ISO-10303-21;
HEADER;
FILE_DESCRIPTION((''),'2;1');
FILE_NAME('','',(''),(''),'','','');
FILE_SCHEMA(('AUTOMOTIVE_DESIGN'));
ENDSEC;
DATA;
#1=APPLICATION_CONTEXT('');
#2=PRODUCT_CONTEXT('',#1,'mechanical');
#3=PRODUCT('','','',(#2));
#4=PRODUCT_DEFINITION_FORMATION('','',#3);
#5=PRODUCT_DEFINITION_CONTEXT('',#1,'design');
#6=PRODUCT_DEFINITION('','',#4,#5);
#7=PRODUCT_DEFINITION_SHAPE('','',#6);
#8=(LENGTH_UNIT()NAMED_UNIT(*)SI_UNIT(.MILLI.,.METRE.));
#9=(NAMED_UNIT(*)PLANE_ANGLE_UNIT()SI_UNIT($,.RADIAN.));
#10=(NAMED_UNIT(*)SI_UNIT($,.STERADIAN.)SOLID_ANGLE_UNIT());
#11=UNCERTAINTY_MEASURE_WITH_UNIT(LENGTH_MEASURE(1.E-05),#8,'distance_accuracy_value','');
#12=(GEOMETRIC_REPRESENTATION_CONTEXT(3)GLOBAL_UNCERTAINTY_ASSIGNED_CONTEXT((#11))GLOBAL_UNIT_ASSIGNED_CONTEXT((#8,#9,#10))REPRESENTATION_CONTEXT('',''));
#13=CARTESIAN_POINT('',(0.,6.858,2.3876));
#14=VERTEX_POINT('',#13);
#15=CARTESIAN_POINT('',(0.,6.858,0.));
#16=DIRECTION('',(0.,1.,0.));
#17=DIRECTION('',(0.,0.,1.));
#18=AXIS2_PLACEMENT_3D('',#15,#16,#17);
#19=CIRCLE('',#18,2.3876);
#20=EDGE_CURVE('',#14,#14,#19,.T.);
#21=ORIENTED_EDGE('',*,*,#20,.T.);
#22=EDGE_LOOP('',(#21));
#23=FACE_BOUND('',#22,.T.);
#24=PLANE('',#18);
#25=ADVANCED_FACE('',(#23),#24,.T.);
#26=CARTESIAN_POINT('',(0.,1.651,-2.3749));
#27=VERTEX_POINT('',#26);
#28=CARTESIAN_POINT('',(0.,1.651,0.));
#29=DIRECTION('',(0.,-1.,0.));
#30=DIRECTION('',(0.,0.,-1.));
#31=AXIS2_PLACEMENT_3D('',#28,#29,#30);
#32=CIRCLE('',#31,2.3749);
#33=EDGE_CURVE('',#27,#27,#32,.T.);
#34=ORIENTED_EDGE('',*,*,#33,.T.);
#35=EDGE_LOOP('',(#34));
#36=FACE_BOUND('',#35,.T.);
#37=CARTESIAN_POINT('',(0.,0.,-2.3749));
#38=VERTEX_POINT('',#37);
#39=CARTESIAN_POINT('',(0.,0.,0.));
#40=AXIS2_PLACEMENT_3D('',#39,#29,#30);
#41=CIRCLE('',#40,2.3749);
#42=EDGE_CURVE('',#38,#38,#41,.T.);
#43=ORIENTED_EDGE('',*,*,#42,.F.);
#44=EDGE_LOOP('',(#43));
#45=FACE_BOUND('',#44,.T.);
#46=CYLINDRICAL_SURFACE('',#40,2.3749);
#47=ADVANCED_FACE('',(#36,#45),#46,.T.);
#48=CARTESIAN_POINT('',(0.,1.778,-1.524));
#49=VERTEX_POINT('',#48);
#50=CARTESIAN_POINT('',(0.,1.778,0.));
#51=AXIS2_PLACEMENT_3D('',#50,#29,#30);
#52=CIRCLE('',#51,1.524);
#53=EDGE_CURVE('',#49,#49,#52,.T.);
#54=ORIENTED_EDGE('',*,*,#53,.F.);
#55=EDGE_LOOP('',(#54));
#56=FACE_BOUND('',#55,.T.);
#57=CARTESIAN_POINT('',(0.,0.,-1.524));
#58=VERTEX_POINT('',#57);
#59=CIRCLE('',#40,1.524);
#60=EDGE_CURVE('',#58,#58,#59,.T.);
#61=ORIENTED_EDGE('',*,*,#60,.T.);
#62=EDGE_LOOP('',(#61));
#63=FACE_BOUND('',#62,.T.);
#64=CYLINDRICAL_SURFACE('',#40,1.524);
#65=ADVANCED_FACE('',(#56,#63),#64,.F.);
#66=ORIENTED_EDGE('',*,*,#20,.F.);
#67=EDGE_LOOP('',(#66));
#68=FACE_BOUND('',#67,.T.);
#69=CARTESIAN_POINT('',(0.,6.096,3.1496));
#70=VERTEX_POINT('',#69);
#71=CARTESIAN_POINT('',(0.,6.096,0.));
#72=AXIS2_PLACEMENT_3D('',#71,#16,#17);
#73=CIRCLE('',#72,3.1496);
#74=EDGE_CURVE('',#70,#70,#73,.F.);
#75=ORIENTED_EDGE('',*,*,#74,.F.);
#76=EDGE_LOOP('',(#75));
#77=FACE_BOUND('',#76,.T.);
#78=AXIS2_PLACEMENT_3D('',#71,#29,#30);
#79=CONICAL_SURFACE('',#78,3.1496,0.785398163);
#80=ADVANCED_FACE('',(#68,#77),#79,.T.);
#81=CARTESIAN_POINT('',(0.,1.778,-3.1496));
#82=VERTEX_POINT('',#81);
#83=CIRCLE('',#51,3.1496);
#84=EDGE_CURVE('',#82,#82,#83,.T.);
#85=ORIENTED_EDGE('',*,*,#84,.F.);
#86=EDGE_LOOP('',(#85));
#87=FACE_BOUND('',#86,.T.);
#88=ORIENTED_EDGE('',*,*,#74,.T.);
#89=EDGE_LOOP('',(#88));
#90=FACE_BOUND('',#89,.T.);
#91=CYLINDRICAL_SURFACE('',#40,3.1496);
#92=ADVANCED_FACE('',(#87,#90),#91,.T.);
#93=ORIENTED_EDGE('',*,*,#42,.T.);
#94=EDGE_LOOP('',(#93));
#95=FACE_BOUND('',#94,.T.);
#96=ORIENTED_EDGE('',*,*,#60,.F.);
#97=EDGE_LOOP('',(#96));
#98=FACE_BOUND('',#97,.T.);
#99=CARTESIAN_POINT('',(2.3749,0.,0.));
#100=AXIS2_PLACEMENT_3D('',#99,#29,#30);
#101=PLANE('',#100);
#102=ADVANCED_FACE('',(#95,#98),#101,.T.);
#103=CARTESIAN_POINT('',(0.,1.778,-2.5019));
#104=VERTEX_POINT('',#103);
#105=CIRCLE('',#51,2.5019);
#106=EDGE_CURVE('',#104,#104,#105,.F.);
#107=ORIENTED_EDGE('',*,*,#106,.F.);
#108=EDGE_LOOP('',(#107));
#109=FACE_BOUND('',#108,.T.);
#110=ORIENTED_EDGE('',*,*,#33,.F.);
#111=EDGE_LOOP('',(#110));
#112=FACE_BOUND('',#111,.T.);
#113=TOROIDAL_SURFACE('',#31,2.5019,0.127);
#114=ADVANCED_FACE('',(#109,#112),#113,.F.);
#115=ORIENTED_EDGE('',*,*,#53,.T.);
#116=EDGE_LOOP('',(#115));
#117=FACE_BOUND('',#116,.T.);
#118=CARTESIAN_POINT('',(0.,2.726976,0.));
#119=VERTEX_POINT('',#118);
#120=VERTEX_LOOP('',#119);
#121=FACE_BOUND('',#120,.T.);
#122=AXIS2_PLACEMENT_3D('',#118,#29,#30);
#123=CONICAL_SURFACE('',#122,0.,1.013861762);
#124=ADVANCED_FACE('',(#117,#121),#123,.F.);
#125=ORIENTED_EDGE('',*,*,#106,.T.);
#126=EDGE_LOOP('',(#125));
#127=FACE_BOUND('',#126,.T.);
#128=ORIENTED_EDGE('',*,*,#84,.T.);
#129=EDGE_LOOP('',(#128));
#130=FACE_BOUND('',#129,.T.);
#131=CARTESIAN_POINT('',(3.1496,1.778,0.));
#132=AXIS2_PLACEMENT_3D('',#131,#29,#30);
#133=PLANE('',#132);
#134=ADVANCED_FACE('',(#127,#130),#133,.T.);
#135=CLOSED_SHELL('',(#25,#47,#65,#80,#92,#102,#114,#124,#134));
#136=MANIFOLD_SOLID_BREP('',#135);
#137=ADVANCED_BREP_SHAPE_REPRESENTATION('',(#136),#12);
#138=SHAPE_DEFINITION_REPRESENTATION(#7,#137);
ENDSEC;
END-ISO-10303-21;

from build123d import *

# Parameters (mm, degrees)
FILLET1_R     = 0.127
CHAMFER1_SIZE = 0.762


with BuildPart() as part:
    # Sketch1 → Revolve1 (revolve)
    with BuildSketch(Plane.XY):
        Polygon((0, 6.858), (3.1496, 6.858), (3.1496, 1.778), (2.3749, 1.778), (2.3749, 0), (1.524, 0), (1.524, 1.778), (0, 2.726975536), align=None)
    revolve(axis=Axis((0, 0, 0), (0, 1, 0)))

    # Fillet1
    fillet1_edges = [part.edges().sort_by_distance(p)[0] for p in [
        (-2.3749, 1.778, 0),
    ]]
    fillet(fillet1_edges, radius=FILLET1_R)

    # Chamfer1
    chamfer1_edges = [part.edges().sort_by_distance(p)[0] for p in [
        (-3.1496, 6.858, 0),
    ]]
    chamfer(chamfer1_edges, length=CHAMFER1_SIZE)


solid = part.part
